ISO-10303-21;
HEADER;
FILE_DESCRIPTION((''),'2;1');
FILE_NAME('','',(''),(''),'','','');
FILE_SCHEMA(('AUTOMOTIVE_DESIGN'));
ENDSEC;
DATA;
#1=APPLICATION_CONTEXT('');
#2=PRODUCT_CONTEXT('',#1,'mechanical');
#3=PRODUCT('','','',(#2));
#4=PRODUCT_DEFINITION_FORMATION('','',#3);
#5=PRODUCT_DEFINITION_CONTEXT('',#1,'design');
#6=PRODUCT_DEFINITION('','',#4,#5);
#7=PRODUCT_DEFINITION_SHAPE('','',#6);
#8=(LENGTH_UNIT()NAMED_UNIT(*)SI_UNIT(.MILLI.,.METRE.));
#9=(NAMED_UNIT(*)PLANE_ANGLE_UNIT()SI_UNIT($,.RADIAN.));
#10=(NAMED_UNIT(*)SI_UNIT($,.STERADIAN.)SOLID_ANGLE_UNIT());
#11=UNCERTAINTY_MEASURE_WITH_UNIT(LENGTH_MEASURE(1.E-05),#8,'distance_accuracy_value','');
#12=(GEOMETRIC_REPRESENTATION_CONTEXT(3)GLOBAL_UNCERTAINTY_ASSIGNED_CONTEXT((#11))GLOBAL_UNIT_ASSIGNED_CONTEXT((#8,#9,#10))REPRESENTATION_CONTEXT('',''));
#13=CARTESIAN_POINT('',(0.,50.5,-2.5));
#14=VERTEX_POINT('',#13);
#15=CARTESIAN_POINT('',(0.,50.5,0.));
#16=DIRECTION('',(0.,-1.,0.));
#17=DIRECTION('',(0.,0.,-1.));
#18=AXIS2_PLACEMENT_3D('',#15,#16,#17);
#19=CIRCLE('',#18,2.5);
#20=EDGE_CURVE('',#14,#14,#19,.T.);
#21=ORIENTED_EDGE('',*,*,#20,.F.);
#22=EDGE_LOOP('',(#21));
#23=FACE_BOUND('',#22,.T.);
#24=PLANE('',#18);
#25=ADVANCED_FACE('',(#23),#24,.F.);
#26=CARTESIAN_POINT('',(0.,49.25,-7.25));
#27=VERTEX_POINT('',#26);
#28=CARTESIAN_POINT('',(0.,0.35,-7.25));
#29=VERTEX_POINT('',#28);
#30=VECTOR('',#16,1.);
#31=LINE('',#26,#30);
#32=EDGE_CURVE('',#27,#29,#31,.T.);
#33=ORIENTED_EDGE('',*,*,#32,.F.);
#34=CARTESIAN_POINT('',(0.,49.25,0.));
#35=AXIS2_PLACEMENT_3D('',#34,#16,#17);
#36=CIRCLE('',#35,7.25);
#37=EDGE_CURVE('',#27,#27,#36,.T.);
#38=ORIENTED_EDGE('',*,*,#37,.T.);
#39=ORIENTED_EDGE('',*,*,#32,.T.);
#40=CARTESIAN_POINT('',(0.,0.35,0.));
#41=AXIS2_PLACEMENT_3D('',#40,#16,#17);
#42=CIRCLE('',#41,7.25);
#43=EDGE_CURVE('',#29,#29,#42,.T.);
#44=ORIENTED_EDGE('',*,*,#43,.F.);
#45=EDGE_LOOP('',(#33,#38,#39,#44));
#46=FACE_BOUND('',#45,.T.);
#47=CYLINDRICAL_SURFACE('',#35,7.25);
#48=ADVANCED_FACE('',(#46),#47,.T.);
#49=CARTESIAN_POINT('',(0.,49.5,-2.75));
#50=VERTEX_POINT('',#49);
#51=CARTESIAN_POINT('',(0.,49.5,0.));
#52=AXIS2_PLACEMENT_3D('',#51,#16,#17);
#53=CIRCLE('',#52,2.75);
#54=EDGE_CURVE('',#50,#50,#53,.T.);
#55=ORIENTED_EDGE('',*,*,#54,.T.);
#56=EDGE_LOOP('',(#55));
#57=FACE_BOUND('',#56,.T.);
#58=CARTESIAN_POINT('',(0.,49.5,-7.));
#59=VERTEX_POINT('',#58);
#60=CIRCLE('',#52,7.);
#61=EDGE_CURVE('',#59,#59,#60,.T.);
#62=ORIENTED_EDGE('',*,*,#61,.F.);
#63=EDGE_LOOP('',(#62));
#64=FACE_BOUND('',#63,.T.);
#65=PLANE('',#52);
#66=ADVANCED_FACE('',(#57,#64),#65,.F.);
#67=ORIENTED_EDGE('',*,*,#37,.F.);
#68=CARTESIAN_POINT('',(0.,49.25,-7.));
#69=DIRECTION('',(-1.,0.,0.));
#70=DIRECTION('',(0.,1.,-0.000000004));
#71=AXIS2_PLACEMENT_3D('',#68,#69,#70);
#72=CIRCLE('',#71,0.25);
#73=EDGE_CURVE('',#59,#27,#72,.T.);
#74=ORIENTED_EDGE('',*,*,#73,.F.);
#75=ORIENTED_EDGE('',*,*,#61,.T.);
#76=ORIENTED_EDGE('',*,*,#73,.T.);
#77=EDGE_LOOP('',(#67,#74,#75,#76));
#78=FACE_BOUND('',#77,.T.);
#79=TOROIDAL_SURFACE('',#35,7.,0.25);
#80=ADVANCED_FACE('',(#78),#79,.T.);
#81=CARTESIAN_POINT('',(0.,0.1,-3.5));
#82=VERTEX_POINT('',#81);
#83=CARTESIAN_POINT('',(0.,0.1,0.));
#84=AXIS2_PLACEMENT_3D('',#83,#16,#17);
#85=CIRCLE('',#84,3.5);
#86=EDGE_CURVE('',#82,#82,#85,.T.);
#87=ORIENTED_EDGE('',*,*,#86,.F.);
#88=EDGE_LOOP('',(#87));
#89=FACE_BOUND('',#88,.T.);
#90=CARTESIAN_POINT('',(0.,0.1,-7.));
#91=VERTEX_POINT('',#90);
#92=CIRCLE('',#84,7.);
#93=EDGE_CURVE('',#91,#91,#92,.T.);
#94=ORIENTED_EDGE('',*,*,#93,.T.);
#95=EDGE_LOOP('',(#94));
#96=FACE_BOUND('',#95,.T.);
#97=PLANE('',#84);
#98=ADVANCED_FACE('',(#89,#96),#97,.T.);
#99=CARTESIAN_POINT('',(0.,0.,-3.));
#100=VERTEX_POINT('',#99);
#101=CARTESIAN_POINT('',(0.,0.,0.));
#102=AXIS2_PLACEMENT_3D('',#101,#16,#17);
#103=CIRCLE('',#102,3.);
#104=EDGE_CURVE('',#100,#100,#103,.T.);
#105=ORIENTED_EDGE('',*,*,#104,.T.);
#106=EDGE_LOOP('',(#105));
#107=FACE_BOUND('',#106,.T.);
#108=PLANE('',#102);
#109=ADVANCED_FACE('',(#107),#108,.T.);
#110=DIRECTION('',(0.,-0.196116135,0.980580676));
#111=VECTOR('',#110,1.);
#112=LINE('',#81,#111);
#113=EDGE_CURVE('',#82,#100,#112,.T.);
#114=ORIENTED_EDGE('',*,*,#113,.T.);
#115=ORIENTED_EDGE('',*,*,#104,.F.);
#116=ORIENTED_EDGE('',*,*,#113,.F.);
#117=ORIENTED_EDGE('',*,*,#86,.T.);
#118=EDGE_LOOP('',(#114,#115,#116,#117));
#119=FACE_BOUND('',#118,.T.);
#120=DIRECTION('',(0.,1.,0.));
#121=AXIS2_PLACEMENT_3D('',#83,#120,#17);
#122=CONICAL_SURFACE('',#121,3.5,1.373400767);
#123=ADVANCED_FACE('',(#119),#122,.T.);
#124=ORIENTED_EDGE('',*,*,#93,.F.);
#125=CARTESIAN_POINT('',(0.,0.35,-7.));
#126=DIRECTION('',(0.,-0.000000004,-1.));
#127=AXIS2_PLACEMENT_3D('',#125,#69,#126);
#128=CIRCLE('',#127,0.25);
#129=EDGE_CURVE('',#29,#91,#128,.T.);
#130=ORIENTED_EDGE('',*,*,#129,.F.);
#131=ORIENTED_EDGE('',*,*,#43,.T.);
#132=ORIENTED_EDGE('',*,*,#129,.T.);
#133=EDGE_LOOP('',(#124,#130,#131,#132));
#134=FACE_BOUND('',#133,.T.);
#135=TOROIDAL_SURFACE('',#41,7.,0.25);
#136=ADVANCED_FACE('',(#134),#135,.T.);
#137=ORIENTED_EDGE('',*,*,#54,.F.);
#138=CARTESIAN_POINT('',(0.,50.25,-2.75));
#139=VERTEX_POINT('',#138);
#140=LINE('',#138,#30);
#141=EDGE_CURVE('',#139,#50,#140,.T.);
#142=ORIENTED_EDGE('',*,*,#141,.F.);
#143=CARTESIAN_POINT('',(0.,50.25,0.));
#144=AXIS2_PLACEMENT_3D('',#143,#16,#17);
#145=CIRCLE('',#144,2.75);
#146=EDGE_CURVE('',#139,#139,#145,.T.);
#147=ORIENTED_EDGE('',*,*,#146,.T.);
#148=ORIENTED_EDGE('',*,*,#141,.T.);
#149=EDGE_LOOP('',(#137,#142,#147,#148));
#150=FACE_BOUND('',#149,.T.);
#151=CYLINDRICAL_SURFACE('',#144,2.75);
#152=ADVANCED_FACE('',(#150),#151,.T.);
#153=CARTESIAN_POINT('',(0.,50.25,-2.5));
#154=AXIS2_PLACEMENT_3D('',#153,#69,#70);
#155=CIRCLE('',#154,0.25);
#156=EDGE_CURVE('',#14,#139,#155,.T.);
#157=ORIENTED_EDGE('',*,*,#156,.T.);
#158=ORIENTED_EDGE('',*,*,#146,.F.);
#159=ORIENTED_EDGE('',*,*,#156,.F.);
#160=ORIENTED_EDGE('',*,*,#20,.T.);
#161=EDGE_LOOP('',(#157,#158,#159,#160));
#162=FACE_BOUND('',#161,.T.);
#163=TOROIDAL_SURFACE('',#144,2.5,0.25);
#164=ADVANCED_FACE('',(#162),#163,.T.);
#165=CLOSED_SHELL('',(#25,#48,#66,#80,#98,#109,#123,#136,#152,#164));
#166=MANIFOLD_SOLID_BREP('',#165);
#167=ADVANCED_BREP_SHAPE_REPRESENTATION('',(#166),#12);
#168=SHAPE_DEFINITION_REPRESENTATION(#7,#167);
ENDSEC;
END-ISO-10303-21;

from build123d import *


with BuildPart() as part:
    # Sketch2 → Revolve1 (revolve)
    with BuildSketch(Plane(origin=(0, 0, 0), x_dir=(0, 0, -1), z_dir=(1, 0, 0))):
        with BuildLine():
            Line((0, 0), (0, 50.5))
            Line((0, 50.5), (2.5, 50.5))
            ThreePointArc((2.5, 50.5), (2.676776695, 50.426776695), (2.75, 50.25))
            Line((2.75, 50.25), (2.75, 49.5))
            Line((2.75, 49.5), (7, 49.5))
            ThreePointArc((7, 49.5), (7.176776695, 49.426776695), (7.25, 49.25))
            Line((7.25, 49.25), (7.25, 0.35))
            ThreePointArc((7.25, 0.35), (7.176776695, 0.173223305), (7, 0.1))
            Line((7, 0.1), (3.5, 0.1))
            Line((3.5, 0.1), (3, 0))
            Line((3, 0), (0, 0))
        make_face()
    revolve(axis=Axis((0, 0, 0), (0, -1, 0)))


solid = part.part
